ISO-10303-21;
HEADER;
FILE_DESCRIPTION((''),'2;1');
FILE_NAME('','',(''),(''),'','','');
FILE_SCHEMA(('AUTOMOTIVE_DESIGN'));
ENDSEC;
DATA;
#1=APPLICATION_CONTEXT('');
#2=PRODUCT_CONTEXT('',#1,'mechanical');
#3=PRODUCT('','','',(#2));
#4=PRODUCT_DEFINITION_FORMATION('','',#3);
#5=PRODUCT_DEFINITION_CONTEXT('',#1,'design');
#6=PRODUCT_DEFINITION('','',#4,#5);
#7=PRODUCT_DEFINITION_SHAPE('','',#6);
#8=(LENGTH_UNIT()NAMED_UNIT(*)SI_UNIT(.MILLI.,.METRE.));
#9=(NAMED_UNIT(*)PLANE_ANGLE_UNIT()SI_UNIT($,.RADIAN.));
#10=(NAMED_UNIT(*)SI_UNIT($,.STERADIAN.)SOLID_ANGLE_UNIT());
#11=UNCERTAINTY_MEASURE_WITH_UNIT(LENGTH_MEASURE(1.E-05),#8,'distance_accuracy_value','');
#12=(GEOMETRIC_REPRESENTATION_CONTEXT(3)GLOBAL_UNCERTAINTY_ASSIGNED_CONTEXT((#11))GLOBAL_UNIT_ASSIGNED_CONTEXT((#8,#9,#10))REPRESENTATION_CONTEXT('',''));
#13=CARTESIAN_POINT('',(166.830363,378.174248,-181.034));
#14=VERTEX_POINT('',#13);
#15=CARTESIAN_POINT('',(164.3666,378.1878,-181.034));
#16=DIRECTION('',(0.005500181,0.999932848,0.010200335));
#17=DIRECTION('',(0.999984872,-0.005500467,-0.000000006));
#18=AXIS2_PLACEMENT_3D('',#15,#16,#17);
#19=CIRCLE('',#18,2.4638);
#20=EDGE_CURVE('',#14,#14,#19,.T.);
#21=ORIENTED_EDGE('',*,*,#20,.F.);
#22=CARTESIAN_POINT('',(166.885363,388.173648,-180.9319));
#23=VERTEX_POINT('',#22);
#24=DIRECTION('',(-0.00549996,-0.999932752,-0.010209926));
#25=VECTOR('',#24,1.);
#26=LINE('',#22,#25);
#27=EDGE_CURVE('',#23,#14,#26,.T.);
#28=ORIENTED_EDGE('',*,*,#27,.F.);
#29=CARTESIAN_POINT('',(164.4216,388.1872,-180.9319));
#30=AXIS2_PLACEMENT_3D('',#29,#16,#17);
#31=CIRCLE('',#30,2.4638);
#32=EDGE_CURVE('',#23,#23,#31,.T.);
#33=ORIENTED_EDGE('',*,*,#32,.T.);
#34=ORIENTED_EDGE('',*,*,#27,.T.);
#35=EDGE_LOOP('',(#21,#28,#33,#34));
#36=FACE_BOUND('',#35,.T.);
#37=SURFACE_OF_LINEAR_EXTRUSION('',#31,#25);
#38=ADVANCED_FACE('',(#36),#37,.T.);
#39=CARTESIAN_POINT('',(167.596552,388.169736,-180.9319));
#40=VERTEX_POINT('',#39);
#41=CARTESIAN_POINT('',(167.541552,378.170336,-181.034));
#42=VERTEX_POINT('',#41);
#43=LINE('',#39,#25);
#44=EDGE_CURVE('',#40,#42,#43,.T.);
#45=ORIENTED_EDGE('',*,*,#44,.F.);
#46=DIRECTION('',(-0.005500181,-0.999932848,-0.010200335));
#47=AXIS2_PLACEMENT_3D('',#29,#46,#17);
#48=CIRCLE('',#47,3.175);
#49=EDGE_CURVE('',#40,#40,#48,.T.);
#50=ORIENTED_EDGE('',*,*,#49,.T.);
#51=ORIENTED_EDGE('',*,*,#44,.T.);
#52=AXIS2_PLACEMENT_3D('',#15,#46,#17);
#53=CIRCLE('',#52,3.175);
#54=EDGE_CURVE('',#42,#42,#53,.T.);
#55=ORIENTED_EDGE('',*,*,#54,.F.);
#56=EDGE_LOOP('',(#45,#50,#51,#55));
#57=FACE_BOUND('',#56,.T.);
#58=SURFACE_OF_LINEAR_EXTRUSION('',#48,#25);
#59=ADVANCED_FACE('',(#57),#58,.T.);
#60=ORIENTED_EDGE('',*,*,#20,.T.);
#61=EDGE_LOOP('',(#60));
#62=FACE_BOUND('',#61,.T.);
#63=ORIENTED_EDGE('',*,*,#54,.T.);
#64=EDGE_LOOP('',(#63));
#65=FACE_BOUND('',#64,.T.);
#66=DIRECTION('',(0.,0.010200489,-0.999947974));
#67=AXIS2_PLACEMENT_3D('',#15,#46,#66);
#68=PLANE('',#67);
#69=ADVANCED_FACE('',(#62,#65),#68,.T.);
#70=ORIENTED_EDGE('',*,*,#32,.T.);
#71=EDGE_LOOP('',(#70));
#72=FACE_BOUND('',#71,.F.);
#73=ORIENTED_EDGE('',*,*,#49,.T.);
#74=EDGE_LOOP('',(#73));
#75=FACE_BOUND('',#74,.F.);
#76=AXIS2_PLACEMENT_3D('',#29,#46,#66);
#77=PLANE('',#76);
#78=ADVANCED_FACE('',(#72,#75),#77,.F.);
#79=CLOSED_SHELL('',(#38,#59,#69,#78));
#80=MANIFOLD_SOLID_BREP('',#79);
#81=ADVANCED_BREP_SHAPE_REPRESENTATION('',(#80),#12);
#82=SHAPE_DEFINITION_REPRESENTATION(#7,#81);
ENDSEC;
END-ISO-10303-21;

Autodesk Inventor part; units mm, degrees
ref_plane "YZ Plane" through (0, 0, 0) normal (1, 0, 0) x (0, 1, 0)
ref_plane "XZ Plane" through (0, 0, 0) normal (0, 1, 0) x (-1, 0, 0)
ref_plane "Work Plane4" through (164.4216, 388.1872, -180.9319) normal (-0.0055, -0.9999, -0.0102) x (1, -0.0055, 0)
sketch "Sketch4" plane through (164.4216, 388.1872, -180.9319) normal (-0.0055, -0.9999, -0.0102) x (1, -0.0055, 0)
  circle A0 centre (0, 0) radius 3.175
  circle A1 centre (0, 0) radius 2.4638
sketch3d "3D Sketch2"
  line L0 (164.4216, 388.1872, -180.9319) -> (164.3666, 378.1878, -181.034)
sweep "Sweep2" add profiles "Sketch4" path "3D Sketch2"
equation "\"OD\" = 6.35"
equation "\"t\" = 0.7112"
equation "\"L\" = PL"
equation "\"ID\" = 4.9276"
equation "\"PL\" = 10.0076"
equation "\"D\" = 15.24"
equation "\"Size_Designation\" = 1.2345"
properties material "Stainless Steel"
